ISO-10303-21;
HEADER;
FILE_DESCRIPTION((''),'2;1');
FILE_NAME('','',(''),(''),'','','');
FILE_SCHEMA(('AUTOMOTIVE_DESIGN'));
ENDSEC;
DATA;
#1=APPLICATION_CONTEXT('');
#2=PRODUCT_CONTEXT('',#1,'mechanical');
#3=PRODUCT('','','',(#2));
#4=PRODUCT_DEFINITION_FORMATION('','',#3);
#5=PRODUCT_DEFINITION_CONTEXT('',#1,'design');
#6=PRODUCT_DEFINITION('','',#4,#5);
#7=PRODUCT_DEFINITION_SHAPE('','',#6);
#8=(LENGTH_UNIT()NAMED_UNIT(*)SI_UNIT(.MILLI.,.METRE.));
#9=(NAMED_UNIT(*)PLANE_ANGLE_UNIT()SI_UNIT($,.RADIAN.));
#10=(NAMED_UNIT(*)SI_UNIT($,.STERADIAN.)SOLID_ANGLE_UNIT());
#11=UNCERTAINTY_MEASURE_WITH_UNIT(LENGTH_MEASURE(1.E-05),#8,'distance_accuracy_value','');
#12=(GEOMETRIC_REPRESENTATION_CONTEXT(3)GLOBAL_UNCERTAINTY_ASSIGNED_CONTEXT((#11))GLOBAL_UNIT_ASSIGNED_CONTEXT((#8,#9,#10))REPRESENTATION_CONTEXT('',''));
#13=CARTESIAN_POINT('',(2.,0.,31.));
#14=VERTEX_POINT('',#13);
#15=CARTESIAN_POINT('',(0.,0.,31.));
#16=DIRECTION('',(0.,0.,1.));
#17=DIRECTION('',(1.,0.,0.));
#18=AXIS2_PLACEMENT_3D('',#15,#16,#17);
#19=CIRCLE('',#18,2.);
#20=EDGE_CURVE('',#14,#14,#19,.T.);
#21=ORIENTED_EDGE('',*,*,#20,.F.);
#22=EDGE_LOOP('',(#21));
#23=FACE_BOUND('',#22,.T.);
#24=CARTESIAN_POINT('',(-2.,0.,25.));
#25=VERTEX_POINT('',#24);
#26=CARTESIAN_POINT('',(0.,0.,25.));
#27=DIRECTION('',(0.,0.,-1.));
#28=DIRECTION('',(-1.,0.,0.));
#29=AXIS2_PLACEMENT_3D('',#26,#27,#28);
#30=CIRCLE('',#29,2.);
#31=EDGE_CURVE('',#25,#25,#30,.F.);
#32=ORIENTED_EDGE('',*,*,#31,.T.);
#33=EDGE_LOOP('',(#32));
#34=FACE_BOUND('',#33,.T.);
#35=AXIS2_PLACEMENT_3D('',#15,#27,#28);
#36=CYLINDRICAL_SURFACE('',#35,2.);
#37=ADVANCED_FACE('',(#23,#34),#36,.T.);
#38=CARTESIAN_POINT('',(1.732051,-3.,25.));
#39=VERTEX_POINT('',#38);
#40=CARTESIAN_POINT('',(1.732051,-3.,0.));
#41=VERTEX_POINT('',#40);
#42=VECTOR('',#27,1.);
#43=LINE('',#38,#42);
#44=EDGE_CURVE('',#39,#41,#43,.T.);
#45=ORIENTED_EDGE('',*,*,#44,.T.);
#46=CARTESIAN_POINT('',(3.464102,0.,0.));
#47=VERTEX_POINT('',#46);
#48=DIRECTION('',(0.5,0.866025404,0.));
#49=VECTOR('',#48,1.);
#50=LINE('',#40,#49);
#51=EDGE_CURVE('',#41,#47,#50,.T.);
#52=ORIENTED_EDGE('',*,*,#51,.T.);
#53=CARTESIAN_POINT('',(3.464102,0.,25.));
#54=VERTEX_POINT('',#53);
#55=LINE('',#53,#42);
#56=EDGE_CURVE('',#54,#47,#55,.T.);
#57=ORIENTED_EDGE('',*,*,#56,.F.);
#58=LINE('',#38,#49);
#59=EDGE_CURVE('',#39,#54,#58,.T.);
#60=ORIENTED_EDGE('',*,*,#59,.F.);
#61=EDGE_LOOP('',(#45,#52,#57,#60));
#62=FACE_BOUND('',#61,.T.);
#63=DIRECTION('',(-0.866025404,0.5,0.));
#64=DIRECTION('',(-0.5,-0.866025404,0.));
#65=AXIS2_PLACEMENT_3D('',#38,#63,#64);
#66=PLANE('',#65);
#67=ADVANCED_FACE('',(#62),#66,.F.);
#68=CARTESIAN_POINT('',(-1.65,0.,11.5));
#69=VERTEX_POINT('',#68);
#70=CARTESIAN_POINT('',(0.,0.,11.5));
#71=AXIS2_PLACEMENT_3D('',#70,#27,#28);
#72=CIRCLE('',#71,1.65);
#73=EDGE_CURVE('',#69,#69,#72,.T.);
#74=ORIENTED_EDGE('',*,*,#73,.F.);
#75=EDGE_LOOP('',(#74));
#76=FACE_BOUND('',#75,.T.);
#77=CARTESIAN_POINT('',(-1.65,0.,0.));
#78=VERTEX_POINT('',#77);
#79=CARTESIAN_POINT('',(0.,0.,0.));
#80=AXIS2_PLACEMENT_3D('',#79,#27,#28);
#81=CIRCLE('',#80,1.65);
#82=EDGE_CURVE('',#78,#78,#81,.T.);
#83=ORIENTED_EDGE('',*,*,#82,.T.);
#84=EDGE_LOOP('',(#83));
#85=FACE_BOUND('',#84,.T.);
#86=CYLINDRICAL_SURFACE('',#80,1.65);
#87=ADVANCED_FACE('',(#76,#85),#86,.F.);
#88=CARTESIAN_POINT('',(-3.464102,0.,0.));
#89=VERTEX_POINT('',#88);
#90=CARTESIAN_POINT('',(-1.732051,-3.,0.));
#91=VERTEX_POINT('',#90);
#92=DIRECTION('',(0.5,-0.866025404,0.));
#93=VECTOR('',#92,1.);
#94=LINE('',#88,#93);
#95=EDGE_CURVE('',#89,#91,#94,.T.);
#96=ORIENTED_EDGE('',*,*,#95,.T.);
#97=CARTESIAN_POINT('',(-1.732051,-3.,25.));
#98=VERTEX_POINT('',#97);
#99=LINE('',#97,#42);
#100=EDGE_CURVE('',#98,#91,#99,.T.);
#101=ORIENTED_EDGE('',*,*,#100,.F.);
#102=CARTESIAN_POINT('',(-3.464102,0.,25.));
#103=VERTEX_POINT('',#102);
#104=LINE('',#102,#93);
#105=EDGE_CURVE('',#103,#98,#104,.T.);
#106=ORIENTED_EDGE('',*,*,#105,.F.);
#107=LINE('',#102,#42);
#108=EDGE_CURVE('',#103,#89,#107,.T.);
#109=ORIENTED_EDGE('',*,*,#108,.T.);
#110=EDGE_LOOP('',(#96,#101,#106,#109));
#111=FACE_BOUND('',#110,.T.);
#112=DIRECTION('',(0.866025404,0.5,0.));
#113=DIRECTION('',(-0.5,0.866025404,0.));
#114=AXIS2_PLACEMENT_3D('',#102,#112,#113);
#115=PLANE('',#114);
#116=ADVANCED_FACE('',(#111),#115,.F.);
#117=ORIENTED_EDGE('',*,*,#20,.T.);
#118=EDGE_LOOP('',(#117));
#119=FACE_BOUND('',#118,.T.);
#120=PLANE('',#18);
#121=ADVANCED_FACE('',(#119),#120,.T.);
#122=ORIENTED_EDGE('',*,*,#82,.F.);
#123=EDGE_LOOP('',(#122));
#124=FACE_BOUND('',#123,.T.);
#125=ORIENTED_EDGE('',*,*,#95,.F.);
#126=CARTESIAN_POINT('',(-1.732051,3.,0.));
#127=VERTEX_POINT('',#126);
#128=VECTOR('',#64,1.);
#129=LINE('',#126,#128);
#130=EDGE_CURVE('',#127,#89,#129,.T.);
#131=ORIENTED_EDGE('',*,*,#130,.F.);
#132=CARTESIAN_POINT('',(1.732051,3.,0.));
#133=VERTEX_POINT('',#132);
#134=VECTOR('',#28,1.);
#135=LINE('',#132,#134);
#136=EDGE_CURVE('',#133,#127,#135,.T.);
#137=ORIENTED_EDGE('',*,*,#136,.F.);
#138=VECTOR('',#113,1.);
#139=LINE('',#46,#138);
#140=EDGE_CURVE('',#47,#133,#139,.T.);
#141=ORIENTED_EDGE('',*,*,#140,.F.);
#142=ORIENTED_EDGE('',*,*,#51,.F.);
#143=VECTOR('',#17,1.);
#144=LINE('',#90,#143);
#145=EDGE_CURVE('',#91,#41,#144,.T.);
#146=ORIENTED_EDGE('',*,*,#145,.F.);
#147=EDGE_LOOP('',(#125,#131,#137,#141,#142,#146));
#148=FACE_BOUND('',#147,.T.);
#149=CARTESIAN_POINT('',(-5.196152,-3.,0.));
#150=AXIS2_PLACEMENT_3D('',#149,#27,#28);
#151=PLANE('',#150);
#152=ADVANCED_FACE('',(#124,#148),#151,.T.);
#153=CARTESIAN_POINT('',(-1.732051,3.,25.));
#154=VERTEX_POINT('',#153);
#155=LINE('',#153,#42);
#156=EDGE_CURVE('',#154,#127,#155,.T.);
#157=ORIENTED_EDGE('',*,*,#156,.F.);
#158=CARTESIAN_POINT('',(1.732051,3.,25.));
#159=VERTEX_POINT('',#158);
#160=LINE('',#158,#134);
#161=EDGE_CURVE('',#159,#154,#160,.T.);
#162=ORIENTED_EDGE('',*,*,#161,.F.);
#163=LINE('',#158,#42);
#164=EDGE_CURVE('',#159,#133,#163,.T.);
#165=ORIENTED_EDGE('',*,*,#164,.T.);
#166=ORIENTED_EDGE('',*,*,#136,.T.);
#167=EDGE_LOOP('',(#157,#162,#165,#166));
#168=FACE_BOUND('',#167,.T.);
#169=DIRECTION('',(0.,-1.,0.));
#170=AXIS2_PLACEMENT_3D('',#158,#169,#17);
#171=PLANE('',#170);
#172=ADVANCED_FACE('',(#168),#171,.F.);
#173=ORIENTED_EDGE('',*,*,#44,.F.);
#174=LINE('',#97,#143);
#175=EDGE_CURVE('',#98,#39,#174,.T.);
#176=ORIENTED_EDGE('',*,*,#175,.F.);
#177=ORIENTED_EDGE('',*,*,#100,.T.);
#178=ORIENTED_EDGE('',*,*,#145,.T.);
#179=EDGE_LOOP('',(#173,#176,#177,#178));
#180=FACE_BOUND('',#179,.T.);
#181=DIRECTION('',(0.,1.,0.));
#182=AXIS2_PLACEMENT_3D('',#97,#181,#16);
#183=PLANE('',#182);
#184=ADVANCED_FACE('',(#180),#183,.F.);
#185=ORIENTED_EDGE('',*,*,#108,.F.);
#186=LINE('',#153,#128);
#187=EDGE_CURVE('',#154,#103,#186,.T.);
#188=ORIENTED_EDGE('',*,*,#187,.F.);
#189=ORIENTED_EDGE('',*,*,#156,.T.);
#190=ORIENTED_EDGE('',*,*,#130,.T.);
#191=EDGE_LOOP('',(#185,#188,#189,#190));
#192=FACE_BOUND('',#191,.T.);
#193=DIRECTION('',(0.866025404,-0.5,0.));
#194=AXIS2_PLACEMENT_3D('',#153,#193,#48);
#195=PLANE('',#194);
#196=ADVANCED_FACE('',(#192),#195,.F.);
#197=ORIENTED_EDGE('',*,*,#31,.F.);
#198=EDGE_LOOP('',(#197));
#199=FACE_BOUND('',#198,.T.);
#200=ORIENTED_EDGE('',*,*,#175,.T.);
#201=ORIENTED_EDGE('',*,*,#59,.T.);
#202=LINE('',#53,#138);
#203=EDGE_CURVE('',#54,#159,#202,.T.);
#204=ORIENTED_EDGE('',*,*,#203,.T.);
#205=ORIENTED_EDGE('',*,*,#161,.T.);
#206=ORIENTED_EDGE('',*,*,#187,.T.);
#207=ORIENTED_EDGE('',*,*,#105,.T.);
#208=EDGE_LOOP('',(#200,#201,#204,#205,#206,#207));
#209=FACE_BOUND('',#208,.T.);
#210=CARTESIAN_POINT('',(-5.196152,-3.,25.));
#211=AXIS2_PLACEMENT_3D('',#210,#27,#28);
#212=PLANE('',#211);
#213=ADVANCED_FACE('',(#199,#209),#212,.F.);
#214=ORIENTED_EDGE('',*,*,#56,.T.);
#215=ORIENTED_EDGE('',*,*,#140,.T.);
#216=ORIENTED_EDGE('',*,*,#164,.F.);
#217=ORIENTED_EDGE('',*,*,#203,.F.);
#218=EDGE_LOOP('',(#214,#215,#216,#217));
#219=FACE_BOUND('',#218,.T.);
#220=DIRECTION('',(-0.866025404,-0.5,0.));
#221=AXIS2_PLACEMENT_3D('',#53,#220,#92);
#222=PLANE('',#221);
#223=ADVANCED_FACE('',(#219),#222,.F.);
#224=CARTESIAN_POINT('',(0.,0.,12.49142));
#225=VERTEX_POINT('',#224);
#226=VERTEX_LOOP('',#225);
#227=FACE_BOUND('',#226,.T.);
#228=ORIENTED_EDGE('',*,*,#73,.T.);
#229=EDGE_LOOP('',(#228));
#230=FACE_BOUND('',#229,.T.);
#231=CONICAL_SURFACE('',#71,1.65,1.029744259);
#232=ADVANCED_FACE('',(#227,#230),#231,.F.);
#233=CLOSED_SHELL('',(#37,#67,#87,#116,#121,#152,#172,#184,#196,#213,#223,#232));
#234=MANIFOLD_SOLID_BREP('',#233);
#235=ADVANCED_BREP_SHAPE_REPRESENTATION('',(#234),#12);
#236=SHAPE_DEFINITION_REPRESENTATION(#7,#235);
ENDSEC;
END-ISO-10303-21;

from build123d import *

# Parameters (mm, degrees)
EXTRUDE_1_DEPTH        = 25
SKETCH_2_R             = 2
EXTRUDE_2_DEPTH        = 6
HOLE_WIZARD_M4_1_D     = 3.3
HOLE_WIZARD_M4_1_DEPTH = 11.5
HOLE_WIZARD_M4_1_TIP   = 0.991420021


with BuildPart() as part:
    # 草图1 → 拉伸1 (new body)
    with BuildSketch(Plane.XY):
        Polygon((1.732050808, -3), (3.464101615, 0), (1.732050808, 3), (-1.732050808, 3), (-3.464101615, 0), (-1.732050808, -3), align=None)
    extrude(amount=EXTRUDE_1_DEPTH)

    # 草图2 → 拉伸2 (add)
    with BuildSketch(Plane.XY.offset(25)):
        with Locations(Location((0, 0, 0), (0, 0, 180))):
            Circle(SKETCH_2_R)
    extrude(amount=EXTRUDE_2_DEPTH)

    # M4 螺纹孔1
    with Locations(Plane(origin=(0, 0, 0), x_dir=(-1, 0, 0), z_dir=(0, 0, -1))):
        with Locations((0, 0)):
            Hole(HOLE_WIZARD_M4_1_D / 2, depth=HOLE_WIZARD_M4_1_DEPTH)
            with Locations((0, 0, -(HOLE_WIZARD_M4_1_DEPTH + HOLE_WIZARD_M4_1_TIP / 2))):  # 118° drill point
                Cone(0, HOLE_WIZARD_M4_1_D / 2, HOLE_WIZARD_M4_1_TIP, mode=Mode.SUBTRACT)


solid = part.part
